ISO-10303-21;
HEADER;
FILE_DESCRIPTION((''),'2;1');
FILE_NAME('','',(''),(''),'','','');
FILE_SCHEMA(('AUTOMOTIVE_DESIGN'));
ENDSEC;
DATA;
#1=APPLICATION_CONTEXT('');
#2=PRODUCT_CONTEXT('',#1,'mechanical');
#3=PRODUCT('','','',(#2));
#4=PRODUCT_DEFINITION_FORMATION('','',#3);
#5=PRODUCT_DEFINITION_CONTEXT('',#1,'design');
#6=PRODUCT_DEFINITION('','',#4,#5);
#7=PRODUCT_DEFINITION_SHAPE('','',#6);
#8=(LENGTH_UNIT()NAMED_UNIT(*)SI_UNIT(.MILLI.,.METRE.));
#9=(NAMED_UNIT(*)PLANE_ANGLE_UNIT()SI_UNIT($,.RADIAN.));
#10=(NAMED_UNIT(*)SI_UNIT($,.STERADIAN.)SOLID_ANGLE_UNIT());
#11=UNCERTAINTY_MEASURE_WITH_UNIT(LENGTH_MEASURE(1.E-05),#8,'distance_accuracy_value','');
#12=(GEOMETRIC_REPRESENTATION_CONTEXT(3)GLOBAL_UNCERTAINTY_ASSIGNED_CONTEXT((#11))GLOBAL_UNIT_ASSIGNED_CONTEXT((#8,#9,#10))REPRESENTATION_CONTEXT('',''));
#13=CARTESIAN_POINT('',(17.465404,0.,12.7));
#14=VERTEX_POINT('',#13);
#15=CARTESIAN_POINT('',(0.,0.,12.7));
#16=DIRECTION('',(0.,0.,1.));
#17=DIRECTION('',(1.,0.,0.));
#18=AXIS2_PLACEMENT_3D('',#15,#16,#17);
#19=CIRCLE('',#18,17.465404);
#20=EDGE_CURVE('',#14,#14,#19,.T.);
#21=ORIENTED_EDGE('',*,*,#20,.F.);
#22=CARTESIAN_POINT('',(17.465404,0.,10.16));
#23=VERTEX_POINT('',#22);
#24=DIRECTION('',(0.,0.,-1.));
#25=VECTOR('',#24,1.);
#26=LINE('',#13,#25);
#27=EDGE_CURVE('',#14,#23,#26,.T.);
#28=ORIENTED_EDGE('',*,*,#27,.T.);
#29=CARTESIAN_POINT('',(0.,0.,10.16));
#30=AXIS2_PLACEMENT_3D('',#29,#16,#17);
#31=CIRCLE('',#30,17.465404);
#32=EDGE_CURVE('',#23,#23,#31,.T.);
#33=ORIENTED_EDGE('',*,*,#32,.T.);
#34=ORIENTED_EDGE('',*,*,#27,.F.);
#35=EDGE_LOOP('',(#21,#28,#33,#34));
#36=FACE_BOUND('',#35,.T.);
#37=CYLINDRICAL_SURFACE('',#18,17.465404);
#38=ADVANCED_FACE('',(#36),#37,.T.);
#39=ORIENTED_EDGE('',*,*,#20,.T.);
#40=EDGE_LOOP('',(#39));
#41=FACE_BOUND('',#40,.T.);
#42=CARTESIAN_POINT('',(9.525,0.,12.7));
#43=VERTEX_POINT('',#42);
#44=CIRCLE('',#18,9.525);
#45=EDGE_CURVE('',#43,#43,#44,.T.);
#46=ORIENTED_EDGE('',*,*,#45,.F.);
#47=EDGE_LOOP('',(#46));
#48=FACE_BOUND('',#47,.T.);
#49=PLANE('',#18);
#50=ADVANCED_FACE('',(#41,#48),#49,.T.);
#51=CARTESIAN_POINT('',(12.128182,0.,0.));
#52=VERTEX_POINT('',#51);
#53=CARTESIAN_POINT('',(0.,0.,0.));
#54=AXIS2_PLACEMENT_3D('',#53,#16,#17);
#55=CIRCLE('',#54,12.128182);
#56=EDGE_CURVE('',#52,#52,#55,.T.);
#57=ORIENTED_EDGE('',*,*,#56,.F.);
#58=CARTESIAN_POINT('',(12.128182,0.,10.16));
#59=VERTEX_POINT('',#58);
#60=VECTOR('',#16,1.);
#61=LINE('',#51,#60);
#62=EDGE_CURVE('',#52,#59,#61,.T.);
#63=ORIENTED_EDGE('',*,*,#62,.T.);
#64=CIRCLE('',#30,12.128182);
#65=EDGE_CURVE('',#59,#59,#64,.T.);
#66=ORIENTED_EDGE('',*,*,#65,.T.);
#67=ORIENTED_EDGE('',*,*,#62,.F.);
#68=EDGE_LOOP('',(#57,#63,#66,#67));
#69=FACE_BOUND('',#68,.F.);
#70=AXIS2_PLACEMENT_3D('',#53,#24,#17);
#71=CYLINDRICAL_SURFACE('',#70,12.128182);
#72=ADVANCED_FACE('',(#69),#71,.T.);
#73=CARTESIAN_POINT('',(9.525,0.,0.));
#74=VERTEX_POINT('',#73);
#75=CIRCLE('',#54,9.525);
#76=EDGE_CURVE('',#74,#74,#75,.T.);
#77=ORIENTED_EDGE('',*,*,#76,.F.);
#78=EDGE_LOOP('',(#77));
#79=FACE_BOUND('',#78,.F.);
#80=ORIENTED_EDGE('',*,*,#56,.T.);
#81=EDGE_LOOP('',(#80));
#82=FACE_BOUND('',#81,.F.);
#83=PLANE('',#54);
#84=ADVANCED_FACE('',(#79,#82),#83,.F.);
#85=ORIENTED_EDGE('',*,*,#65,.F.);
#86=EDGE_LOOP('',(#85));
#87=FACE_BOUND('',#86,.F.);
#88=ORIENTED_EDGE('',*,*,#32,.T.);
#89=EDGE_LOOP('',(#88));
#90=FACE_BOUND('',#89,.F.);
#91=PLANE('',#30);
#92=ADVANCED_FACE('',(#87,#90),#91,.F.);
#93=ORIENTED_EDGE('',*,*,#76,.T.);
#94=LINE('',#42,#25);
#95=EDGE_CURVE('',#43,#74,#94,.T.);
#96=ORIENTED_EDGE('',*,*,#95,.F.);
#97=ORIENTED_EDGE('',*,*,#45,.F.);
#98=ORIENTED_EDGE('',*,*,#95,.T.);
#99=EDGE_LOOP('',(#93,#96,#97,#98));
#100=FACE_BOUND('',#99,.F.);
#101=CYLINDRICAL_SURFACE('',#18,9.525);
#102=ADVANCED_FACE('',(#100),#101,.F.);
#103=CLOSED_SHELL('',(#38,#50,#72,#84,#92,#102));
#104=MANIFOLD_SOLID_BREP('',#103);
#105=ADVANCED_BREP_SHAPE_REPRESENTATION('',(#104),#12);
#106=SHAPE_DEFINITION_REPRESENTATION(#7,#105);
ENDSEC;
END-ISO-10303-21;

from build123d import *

# Parameters (mm, degrees)
F0_R     = 12.128182
F1_DEPTH = 12.7
F2_R     = 9.525
F3_DEPTH = 12.701
F2_R_2   = 17.465404
F2_R_3   = 12.128182
F4_DEPTH = 2.54


with BuildPart() as f1:
    # F0 (on Top) → F1 (new body)
    with BuildSketch(Plane.XY):
        Circle(F0_R)
    extrude(amount=F1_DEPTH)

    # F2 (on face) → F3 (cut, through all)
    with BuildSketch(Plane.XY.offset(12.7)):
        Circle(F2_R)
    extrude(amount=-F3_DEPTH, mode=Mode.SUBTRACT)

    # F2 (on face) → F4 (join)
    with BuildSketch(Plane.XY.offset(12.7)):
        Circle(F2_R_2)
        Circle(F2_R_3, mode=Mode.SUBTRACT)
    extrude(amount=-F4_DEPTH)


solid = f1.part
